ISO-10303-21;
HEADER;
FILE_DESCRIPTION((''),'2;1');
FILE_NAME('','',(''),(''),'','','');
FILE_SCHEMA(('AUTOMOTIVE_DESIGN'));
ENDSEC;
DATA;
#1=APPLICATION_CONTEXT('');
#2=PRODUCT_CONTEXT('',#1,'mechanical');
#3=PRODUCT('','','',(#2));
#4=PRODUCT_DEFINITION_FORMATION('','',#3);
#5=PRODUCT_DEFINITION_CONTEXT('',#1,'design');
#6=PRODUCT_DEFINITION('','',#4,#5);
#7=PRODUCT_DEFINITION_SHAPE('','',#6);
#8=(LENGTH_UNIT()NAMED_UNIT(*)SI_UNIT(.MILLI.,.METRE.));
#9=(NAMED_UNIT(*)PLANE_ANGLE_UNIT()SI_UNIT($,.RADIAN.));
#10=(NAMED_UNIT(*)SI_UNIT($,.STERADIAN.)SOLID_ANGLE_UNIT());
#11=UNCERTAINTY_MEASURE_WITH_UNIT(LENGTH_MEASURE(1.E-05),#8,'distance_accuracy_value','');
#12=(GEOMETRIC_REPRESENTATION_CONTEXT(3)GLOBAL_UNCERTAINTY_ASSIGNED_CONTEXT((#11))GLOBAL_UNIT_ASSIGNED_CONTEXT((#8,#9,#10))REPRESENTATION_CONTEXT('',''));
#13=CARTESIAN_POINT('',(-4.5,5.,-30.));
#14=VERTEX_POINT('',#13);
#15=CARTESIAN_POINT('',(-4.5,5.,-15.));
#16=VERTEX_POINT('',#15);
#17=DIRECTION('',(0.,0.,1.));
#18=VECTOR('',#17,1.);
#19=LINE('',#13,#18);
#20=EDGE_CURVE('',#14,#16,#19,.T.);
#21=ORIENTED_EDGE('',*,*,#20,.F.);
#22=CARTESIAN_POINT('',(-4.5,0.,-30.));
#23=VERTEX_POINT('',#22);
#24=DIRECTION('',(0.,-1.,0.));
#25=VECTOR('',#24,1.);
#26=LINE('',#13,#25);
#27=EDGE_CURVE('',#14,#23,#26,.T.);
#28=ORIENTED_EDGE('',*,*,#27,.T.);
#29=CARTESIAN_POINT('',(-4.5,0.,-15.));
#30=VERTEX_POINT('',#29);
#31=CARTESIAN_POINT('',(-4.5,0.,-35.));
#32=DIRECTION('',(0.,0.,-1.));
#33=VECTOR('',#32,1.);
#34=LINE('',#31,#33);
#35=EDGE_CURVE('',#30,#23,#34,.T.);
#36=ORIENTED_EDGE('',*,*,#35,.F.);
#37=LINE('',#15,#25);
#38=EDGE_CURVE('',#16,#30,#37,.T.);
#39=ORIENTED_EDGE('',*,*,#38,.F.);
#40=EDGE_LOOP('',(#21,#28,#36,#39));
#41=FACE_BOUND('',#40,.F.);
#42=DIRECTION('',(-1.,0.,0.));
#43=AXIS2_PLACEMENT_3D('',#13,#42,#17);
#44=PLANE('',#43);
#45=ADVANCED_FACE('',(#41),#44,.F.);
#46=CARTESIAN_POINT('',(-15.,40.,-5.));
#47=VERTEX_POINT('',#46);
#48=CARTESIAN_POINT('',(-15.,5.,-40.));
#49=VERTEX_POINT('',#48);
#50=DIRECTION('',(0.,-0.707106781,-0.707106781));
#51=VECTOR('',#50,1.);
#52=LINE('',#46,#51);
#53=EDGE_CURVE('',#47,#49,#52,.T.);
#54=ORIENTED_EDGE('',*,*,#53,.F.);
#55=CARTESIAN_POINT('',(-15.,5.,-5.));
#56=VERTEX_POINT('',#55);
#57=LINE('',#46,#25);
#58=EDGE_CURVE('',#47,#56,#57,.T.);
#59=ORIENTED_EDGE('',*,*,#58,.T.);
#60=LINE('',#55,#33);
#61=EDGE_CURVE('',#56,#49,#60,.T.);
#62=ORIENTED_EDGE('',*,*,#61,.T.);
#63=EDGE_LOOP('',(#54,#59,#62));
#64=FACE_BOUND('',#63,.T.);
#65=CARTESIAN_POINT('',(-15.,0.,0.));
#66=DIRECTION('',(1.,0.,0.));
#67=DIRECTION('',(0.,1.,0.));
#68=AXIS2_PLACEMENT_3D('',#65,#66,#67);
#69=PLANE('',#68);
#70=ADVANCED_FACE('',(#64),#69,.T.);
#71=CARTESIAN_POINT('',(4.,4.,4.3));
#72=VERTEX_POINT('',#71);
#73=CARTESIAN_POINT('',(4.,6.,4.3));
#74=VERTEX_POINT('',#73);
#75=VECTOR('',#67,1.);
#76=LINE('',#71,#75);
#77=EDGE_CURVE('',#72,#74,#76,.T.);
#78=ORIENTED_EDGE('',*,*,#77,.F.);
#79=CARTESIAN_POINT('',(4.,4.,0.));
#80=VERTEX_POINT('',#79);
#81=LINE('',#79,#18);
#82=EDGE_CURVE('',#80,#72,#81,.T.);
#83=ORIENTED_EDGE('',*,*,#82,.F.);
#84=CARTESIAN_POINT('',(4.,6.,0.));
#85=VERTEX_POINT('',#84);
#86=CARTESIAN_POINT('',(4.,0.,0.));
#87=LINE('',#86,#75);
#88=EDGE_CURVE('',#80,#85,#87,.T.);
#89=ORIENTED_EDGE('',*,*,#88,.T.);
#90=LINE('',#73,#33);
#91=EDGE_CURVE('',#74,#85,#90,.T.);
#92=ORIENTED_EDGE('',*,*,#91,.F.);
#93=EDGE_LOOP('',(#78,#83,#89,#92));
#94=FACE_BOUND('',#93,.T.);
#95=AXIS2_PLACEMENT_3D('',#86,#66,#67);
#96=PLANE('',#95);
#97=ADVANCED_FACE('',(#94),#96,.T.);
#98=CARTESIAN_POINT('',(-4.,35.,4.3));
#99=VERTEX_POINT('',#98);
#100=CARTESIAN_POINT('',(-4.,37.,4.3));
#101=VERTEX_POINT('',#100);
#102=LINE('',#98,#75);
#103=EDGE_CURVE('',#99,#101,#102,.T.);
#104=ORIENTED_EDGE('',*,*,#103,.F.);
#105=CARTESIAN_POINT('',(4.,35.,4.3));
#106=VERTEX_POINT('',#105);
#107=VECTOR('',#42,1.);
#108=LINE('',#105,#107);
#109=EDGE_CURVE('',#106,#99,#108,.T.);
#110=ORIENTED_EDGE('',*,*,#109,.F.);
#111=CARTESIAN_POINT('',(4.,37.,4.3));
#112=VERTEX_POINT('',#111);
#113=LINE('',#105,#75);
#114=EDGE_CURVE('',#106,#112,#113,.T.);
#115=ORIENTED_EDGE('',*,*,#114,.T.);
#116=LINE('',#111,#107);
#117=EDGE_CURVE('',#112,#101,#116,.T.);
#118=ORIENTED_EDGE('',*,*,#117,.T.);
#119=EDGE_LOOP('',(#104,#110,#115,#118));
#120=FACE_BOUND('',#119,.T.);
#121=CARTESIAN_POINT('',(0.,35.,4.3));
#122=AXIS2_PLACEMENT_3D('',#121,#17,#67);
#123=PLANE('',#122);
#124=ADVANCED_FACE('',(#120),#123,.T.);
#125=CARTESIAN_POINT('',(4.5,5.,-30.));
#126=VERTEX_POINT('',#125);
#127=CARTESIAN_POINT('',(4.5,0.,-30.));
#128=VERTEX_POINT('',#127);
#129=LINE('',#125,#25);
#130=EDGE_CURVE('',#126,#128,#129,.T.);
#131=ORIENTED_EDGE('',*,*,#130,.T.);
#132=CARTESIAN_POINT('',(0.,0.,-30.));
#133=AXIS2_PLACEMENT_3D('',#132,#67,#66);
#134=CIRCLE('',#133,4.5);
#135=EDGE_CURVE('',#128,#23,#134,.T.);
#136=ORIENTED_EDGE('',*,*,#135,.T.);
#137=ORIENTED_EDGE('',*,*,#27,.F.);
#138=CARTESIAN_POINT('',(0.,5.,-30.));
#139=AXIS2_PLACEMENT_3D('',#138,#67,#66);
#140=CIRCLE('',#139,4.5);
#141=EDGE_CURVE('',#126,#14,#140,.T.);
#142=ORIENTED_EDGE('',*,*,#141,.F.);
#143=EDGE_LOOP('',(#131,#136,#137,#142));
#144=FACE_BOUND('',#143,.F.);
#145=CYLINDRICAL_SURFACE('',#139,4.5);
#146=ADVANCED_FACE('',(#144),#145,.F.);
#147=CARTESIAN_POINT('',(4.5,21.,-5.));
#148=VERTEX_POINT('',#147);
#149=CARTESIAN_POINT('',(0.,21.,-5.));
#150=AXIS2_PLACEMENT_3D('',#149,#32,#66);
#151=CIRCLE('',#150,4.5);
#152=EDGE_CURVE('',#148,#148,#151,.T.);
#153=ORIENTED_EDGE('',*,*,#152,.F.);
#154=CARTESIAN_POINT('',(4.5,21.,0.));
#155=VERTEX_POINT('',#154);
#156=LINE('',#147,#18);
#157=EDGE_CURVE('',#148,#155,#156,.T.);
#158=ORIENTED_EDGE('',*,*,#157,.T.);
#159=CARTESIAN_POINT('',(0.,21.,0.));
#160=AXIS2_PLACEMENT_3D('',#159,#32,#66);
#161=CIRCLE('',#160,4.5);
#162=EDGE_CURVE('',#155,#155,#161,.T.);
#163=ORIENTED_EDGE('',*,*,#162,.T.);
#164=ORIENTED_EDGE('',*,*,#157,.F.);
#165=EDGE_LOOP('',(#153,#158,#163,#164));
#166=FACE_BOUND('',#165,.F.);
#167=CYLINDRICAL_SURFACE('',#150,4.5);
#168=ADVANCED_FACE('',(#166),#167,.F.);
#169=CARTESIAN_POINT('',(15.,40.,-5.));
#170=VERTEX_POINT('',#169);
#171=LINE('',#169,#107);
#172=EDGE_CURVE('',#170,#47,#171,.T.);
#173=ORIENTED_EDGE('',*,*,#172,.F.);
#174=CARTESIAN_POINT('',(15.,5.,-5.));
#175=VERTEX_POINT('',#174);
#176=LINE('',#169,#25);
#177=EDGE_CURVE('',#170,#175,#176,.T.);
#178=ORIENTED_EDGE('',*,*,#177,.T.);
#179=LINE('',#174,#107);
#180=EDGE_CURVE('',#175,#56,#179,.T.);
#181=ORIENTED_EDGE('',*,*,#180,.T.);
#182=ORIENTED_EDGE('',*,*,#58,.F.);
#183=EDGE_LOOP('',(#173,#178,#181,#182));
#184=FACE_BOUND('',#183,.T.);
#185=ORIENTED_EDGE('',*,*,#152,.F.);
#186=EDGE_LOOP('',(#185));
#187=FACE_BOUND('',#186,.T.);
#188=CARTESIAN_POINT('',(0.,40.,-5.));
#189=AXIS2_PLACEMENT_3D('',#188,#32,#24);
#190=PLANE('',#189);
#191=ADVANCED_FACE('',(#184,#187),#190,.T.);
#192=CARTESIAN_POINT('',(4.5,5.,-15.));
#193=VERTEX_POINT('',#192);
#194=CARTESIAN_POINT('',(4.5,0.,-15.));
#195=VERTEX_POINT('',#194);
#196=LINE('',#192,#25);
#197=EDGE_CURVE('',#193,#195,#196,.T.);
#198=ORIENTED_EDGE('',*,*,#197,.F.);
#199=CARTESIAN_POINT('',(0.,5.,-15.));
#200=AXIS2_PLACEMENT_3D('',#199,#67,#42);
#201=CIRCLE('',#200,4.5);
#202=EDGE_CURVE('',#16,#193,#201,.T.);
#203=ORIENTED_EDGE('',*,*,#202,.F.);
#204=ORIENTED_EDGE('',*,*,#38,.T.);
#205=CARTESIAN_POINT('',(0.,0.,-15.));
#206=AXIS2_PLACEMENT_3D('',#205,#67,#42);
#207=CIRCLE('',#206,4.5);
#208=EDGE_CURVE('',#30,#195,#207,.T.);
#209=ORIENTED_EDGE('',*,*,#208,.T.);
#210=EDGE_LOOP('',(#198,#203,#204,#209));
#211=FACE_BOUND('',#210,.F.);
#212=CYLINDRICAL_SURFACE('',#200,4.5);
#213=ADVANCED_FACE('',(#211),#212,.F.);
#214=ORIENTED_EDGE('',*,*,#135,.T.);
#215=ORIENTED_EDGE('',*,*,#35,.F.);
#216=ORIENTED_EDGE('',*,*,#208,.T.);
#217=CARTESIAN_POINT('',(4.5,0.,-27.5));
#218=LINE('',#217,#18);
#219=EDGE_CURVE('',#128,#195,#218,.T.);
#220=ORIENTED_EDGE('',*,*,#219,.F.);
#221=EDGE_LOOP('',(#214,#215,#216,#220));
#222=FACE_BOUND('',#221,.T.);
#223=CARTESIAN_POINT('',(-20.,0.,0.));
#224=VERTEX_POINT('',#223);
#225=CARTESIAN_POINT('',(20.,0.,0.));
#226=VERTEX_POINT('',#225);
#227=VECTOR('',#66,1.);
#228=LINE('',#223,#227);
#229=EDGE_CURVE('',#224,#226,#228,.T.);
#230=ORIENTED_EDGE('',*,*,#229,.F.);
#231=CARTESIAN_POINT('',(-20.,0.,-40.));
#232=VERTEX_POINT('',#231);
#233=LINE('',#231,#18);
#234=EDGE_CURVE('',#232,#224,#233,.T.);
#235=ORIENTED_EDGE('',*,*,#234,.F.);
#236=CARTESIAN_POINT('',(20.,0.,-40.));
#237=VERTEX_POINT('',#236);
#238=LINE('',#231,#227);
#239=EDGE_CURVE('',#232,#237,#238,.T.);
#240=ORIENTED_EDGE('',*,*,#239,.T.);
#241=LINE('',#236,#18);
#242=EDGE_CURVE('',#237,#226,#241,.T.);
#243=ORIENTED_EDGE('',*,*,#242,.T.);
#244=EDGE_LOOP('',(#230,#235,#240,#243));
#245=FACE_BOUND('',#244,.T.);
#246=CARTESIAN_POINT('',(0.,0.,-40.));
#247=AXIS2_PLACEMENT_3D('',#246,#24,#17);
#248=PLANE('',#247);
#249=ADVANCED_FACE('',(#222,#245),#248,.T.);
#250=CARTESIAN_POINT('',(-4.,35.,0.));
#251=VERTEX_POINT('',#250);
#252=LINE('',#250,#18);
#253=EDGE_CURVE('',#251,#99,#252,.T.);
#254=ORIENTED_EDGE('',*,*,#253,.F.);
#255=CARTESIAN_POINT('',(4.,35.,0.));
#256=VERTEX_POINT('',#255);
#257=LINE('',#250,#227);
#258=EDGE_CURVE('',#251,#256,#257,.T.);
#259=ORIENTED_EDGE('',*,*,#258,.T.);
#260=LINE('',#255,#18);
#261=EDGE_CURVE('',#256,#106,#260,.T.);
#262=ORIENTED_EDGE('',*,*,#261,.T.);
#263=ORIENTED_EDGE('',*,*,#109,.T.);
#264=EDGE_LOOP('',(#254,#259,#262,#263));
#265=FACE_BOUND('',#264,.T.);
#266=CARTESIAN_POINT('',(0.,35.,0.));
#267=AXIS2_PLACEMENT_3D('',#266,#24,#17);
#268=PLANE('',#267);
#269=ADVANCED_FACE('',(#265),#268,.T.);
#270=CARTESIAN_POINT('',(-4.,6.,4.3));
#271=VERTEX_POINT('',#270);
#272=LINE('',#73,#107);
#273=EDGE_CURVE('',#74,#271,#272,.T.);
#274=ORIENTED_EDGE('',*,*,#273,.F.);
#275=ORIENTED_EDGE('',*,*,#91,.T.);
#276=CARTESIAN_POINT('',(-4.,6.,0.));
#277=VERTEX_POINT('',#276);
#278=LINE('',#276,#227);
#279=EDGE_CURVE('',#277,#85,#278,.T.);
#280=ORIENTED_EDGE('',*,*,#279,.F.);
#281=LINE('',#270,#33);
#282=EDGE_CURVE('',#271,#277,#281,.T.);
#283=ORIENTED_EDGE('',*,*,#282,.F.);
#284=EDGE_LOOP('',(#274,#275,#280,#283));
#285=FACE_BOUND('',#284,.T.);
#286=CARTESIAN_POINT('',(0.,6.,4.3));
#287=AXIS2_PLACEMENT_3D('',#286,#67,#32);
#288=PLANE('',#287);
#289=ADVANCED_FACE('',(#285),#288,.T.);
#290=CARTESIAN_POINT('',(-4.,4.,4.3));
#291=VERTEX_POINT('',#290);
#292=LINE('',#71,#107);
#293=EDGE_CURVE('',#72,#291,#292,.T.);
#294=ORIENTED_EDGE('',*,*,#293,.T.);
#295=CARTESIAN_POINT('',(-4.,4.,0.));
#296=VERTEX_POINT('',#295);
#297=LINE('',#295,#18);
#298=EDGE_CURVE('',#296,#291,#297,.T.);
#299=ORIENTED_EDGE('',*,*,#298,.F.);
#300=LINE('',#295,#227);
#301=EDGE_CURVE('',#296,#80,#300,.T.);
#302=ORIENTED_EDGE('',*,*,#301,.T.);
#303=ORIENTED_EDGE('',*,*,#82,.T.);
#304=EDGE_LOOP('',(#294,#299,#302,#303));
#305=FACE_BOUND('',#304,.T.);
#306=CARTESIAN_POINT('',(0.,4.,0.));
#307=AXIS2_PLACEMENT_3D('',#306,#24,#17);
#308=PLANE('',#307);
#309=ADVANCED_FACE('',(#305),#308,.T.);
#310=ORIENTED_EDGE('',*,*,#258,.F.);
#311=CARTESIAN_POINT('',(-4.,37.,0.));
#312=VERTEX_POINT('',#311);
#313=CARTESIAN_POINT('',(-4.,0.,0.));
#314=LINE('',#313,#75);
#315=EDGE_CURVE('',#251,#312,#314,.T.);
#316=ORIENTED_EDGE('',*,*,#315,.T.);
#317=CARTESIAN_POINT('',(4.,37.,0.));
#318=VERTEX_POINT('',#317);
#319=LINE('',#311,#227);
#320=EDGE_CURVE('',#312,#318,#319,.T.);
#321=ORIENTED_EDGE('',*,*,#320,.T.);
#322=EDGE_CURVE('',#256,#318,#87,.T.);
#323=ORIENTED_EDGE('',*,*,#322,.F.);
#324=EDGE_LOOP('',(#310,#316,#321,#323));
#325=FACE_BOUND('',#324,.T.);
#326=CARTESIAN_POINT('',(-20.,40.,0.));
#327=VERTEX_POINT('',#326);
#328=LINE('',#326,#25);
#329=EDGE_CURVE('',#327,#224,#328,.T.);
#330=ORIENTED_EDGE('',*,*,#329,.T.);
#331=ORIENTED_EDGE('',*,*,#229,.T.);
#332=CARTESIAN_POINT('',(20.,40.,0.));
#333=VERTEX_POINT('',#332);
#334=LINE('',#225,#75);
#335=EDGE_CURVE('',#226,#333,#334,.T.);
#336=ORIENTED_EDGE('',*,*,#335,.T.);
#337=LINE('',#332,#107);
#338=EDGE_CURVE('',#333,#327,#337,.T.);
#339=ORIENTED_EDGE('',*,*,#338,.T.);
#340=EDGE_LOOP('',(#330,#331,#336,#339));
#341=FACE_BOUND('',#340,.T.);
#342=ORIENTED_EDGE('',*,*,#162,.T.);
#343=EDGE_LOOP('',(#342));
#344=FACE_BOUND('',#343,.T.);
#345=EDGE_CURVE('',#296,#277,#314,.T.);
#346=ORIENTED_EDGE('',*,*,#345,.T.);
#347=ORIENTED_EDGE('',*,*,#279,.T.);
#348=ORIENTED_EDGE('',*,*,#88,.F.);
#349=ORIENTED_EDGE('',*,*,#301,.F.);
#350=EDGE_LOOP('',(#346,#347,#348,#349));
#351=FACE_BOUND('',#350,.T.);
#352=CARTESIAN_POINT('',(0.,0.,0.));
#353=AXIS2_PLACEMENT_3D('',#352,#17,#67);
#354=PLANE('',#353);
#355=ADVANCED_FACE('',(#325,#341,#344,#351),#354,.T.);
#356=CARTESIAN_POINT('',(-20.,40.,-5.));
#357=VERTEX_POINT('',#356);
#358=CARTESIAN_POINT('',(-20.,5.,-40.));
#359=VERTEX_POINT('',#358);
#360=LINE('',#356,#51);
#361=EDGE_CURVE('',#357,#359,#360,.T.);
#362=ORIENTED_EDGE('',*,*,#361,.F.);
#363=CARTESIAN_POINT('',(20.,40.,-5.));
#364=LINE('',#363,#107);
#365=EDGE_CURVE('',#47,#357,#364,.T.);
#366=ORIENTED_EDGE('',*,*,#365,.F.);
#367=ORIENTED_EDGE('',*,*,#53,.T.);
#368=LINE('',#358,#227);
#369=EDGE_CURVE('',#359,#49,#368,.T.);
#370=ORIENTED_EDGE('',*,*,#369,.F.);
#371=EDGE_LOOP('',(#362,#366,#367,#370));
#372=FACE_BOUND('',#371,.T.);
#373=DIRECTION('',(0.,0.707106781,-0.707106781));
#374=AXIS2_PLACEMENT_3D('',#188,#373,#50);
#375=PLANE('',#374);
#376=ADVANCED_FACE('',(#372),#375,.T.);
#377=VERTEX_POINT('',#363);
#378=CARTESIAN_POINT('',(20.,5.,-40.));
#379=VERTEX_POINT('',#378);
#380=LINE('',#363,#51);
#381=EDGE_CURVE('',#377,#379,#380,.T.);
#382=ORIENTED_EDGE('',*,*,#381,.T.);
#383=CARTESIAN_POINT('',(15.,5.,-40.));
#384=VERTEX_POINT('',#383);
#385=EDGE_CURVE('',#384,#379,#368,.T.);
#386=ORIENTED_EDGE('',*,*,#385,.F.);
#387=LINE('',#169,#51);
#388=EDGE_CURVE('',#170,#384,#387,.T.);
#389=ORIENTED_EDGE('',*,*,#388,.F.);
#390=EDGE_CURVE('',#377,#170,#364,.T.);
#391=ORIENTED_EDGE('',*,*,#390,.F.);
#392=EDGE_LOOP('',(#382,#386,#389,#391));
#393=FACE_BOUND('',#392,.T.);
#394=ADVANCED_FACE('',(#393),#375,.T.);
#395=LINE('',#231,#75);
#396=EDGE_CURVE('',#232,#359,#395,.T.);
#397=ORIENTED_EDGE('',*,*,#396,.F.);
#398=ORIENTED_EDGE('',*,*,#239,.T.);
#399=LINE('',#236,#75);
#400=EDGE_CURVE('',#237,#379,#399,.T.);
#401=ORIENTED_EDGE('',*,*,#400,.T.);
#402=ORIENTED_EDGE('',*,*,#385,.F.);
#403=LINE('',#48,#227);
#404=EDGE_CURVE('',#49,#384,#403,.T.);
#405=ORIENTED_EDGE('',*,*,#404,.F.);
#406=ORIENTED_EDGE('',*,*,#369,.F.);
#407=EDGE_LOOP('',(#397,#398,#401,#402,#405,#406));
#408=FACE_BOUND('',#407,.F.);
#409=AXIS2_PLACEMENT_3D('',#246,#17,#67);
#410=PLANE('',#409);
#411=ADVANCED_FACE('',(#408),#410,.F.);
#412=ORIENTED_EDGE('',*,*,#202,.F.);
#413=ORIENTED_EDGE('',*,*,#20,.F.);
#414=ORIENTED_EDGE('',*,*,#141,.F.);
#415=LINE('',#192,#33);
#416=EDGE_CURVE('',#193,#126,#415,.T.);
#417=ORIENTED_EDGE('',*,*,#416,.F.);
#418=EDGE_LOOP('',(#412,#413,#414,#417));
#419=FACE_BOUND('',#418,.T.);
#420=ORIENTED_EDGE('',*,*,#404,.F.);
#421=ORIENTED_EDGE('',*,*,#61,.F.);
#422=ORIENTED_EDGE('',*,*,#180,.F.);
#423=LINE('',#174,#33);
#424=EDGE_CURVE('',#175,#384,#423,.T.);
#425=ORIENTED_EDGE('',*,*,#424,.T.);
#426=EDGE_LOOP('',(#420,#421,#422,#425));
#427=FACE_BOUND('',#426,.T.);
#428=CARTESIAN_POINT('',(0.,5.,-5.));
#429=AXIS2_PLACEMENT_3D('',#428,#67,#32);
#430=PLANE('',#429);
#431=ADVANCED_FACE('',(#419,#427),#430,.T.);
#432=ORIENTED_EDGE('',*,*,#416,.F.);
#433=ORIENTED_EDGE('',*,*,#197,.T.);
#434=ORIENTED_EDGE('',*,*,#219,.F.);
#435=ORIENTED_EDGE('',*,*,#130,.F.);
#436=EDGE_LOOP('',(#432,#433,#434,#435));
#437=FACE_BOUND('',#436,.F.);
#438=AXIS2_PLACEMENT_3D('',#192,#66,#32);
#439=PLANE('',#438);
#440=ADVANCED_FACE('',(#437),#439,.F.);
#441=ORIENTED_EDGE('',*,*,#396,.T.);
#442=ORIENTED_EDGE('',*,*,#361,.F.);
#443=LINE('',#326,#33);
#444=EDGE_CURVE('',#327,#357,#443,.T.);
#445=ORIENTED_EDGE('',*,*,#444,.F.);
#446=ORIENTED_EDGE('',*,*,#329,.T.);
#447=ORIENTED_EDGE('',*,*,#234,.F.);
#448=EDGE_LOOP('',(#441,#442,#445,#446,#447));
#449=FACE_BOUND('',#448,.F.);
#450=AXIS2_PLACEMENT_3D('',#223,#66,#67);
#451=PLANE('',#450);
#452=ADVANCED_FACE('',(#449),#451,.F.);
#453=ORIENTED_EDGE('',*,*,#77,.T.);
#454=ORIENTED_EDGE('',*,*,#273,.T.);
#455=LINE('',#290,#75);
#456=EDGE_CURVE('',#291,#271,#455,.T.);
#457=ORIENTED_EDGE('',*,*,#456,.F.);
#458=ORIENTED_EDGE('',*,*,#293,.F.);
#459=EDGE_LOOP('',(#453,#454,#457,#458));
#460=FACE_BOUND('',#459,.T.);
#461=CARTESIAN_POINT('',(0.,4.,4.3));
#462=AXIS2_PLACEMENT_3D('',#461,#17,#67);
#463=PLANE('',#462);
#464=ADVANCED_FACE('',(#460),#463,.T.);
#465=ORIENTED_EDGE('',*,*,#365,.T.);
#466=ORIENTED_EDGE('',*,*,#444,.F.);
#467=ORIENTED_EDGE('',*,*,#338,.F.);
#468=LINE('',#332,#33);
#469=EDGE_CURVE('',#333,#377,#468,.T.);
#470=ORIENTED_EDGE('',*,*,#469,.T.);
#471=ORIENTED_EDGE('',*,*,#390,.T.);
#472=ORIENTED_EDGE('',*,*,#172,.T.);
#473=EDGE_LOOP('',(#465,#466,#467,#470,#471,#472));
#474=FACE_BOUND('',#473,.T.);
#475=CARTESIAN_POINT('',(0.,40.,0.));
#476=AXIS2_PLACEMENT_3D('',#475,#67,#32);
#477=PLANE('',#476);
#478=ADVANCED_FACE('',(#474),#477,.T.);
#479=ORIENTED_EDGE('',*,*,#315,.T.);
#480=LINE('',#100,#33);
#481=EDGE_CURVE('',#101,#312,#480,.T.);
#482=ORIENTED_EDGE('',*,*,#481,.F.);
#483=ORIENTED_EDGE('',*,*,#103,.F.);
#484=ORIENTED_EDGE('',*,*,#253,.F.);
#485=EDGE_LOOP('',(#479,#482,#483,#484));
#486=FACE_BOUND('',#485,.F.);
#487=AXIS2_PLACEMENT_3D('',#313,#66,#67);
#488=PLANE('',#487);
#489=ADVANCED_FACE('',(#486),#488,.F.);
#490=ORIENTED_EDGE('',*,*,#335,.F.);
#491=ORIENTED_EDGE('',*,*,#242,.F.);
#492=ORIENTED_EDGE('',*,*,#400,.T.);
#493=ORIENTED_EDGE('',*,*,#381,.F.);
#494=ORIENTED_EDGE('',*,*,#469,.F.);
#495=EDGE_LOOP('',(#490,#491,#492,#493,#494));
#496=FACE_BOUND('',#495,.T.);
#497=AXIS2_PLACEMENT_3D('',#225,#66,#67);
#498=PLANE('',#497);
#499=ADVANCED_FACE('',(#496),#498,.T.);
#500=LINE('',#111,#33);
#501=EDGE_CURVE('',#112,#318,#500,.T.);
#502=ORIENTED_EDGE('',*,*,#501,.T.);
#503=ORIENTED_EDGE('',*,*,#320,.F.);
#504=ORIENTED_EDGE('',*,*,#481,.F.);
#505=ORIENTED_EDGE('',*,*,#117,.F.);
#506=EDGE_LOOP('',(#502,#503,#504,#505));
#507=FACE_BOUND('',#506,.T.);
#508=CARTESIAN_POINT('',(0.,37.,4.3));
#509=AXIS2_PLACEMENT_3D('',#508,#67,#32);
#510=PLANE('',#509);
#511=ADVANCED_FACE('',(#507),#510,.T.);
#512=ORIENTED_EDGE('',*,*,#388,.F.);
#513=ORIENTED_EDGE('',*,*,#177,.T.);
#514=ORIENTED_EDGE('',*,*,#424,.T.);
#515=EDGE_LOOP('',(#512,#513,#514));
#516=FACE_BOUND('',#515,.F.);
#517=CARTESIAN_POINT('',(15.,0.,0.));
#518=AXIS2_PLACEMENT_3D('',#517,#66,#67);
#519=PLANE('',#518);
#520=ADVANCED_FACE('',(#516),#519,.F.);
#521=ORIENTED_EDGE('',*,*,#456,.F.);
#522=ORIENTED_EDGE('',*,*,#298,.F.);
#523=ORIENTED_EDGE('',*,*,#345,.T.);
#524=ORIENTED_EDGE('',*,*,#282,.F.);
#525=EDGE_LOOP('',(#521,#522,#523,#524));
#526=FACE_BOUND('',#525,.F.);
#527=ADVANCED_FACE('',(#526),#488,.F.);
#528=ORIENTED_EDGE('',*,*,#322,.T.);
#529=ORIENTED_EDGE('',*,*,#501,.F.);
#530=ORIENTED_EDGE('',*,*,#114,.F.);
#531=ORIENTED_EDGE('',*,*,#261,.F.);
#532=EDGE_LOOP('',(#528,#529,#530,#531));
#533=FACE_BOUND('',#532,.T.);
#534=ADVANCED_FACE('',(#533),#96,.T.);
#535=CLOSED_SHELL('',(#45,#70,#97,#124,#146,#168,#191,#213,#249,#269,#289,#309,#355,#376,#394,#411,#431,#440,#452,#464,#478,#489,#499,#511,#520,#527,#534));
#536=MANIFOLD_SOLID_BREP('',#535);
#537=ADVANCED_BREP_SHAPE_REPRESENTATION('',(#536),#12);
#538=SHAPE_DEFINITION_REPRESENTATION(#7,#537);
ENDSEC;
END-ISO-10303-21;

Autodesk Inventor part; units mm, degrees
ref_plane "YZ Plane" through (0, 0, 0) normal (1, 0, 0) x (0, 1, 0)
ref_plane "XZ Plane" through (0, 0, 0) normal (0, 1, 0) x (-1, 0, 0)
ref_plane "XY Plane" through (0, 0, 0) normal (0, 0, 1) x (1, 0, 0)
sketch "Sketch1" plane through (0, 0, 0) normal (1, 0, 0) x (0, 1, 0)
  line L0 (0, 0) -> (40, 0)
  line L1 (40, 0) -> (40, -5)
  line L2 (40, -40) -> (5, -40) construction
  line L3 (0, -40) -> (0, 0)
  line L4 (40, 0) -> (40, -5)
  line L5 (40, -5) -> (5, -40)
  line L6 (0, -40) -> (5, -40)
  line L7 (40, -5) -> (5, -5)
  line L8 (5, -5) -> (5, -40)
  line L9 (40, -5) -> (40, -40) construction
  line L10 (5, -40) -> (0, -40)
  line L11 (37, 0) -> (35, 0)
  line L12 (35, 0) -> (35, 4.3)
  line L13 (35, 4.3) -> (37, 4.3)
  line L14 (37, 4.3) -> (37, 0)
  line L15 (6, 0) -> (4, 0)
  line L16 (4, 0) -> (4, 4.3)
  line L17 (4, 4.3) -> (6, 4.3)
  line L18 (6, 4.3) -> (6, 0)
  point P0 (5, 0)
  dimension "d0" = 40
  dimension "d1" = 5
  dimension "d2" = 2
  dimension "d3" = 4.3
  dimension "d4" = 4
  dimension "d5" = 3
extrude "Extrusion1" add sketch "Sketch1" along normal mid plane 40 contours L0 L1 L7 L8 L6 L3 | L8 L7 L5
extrude "Extrusion2" cut sketch "Sketch1" along normal mid plane 30 contours L8 L7 L5
extrude "Extrusion3" add sketch "Sketch1" along normal mid plane 8 contours L16 L17 L18 L0 | L12 L13 L14 L0
sketch "Sketch2" plane through (15, 5, -5) normal (0, 1, 0) x (-1, 0, 0)
  line L0 (15, -10) -> (15, -25) construction
  line L1 (10.5, -10) -> (10.5, -25)
  line L2 (19.5, -25) -> (19.5, -10)
  arc A0 (19.5, -10) -> (10.5, -10) centre (15, -10) ccw
  arc A1 (10.5, -25) -> (19.5, -25) centre (15, -25) ccw
  line L3 (30, 0) -> (0, 0) projected
  point P0 (15, 5)
  point P1 (15, -17.5)
  point P2 (15, 0)
  dimension "d12" = 15
  dimension "d13" = 9
  dimension "d14" = 10
extrude "Extrusion4" cut sketch "Sketch2" against normal through all
sketch "Sketch3" plane through (-15, 5, -5) normal (0, 0, -1) x (1, 0, 0)
  line L0 (-5, 5) -> (35, 5) projected
  circle A0 centre (15, -16) radius 4.5
  line L1 (0, -35) -> (30, -35) projected
  line L2 (15, -16) -> (15, -35) construction
  point P0 (15, 5)
  dimension "d18" = 9
  dimension "d21" = 19
extrude "Extrusion5" cut sketch "Sketch3" against normal through all
properties part number "Gusset_4040_8" material "Aluminum"
